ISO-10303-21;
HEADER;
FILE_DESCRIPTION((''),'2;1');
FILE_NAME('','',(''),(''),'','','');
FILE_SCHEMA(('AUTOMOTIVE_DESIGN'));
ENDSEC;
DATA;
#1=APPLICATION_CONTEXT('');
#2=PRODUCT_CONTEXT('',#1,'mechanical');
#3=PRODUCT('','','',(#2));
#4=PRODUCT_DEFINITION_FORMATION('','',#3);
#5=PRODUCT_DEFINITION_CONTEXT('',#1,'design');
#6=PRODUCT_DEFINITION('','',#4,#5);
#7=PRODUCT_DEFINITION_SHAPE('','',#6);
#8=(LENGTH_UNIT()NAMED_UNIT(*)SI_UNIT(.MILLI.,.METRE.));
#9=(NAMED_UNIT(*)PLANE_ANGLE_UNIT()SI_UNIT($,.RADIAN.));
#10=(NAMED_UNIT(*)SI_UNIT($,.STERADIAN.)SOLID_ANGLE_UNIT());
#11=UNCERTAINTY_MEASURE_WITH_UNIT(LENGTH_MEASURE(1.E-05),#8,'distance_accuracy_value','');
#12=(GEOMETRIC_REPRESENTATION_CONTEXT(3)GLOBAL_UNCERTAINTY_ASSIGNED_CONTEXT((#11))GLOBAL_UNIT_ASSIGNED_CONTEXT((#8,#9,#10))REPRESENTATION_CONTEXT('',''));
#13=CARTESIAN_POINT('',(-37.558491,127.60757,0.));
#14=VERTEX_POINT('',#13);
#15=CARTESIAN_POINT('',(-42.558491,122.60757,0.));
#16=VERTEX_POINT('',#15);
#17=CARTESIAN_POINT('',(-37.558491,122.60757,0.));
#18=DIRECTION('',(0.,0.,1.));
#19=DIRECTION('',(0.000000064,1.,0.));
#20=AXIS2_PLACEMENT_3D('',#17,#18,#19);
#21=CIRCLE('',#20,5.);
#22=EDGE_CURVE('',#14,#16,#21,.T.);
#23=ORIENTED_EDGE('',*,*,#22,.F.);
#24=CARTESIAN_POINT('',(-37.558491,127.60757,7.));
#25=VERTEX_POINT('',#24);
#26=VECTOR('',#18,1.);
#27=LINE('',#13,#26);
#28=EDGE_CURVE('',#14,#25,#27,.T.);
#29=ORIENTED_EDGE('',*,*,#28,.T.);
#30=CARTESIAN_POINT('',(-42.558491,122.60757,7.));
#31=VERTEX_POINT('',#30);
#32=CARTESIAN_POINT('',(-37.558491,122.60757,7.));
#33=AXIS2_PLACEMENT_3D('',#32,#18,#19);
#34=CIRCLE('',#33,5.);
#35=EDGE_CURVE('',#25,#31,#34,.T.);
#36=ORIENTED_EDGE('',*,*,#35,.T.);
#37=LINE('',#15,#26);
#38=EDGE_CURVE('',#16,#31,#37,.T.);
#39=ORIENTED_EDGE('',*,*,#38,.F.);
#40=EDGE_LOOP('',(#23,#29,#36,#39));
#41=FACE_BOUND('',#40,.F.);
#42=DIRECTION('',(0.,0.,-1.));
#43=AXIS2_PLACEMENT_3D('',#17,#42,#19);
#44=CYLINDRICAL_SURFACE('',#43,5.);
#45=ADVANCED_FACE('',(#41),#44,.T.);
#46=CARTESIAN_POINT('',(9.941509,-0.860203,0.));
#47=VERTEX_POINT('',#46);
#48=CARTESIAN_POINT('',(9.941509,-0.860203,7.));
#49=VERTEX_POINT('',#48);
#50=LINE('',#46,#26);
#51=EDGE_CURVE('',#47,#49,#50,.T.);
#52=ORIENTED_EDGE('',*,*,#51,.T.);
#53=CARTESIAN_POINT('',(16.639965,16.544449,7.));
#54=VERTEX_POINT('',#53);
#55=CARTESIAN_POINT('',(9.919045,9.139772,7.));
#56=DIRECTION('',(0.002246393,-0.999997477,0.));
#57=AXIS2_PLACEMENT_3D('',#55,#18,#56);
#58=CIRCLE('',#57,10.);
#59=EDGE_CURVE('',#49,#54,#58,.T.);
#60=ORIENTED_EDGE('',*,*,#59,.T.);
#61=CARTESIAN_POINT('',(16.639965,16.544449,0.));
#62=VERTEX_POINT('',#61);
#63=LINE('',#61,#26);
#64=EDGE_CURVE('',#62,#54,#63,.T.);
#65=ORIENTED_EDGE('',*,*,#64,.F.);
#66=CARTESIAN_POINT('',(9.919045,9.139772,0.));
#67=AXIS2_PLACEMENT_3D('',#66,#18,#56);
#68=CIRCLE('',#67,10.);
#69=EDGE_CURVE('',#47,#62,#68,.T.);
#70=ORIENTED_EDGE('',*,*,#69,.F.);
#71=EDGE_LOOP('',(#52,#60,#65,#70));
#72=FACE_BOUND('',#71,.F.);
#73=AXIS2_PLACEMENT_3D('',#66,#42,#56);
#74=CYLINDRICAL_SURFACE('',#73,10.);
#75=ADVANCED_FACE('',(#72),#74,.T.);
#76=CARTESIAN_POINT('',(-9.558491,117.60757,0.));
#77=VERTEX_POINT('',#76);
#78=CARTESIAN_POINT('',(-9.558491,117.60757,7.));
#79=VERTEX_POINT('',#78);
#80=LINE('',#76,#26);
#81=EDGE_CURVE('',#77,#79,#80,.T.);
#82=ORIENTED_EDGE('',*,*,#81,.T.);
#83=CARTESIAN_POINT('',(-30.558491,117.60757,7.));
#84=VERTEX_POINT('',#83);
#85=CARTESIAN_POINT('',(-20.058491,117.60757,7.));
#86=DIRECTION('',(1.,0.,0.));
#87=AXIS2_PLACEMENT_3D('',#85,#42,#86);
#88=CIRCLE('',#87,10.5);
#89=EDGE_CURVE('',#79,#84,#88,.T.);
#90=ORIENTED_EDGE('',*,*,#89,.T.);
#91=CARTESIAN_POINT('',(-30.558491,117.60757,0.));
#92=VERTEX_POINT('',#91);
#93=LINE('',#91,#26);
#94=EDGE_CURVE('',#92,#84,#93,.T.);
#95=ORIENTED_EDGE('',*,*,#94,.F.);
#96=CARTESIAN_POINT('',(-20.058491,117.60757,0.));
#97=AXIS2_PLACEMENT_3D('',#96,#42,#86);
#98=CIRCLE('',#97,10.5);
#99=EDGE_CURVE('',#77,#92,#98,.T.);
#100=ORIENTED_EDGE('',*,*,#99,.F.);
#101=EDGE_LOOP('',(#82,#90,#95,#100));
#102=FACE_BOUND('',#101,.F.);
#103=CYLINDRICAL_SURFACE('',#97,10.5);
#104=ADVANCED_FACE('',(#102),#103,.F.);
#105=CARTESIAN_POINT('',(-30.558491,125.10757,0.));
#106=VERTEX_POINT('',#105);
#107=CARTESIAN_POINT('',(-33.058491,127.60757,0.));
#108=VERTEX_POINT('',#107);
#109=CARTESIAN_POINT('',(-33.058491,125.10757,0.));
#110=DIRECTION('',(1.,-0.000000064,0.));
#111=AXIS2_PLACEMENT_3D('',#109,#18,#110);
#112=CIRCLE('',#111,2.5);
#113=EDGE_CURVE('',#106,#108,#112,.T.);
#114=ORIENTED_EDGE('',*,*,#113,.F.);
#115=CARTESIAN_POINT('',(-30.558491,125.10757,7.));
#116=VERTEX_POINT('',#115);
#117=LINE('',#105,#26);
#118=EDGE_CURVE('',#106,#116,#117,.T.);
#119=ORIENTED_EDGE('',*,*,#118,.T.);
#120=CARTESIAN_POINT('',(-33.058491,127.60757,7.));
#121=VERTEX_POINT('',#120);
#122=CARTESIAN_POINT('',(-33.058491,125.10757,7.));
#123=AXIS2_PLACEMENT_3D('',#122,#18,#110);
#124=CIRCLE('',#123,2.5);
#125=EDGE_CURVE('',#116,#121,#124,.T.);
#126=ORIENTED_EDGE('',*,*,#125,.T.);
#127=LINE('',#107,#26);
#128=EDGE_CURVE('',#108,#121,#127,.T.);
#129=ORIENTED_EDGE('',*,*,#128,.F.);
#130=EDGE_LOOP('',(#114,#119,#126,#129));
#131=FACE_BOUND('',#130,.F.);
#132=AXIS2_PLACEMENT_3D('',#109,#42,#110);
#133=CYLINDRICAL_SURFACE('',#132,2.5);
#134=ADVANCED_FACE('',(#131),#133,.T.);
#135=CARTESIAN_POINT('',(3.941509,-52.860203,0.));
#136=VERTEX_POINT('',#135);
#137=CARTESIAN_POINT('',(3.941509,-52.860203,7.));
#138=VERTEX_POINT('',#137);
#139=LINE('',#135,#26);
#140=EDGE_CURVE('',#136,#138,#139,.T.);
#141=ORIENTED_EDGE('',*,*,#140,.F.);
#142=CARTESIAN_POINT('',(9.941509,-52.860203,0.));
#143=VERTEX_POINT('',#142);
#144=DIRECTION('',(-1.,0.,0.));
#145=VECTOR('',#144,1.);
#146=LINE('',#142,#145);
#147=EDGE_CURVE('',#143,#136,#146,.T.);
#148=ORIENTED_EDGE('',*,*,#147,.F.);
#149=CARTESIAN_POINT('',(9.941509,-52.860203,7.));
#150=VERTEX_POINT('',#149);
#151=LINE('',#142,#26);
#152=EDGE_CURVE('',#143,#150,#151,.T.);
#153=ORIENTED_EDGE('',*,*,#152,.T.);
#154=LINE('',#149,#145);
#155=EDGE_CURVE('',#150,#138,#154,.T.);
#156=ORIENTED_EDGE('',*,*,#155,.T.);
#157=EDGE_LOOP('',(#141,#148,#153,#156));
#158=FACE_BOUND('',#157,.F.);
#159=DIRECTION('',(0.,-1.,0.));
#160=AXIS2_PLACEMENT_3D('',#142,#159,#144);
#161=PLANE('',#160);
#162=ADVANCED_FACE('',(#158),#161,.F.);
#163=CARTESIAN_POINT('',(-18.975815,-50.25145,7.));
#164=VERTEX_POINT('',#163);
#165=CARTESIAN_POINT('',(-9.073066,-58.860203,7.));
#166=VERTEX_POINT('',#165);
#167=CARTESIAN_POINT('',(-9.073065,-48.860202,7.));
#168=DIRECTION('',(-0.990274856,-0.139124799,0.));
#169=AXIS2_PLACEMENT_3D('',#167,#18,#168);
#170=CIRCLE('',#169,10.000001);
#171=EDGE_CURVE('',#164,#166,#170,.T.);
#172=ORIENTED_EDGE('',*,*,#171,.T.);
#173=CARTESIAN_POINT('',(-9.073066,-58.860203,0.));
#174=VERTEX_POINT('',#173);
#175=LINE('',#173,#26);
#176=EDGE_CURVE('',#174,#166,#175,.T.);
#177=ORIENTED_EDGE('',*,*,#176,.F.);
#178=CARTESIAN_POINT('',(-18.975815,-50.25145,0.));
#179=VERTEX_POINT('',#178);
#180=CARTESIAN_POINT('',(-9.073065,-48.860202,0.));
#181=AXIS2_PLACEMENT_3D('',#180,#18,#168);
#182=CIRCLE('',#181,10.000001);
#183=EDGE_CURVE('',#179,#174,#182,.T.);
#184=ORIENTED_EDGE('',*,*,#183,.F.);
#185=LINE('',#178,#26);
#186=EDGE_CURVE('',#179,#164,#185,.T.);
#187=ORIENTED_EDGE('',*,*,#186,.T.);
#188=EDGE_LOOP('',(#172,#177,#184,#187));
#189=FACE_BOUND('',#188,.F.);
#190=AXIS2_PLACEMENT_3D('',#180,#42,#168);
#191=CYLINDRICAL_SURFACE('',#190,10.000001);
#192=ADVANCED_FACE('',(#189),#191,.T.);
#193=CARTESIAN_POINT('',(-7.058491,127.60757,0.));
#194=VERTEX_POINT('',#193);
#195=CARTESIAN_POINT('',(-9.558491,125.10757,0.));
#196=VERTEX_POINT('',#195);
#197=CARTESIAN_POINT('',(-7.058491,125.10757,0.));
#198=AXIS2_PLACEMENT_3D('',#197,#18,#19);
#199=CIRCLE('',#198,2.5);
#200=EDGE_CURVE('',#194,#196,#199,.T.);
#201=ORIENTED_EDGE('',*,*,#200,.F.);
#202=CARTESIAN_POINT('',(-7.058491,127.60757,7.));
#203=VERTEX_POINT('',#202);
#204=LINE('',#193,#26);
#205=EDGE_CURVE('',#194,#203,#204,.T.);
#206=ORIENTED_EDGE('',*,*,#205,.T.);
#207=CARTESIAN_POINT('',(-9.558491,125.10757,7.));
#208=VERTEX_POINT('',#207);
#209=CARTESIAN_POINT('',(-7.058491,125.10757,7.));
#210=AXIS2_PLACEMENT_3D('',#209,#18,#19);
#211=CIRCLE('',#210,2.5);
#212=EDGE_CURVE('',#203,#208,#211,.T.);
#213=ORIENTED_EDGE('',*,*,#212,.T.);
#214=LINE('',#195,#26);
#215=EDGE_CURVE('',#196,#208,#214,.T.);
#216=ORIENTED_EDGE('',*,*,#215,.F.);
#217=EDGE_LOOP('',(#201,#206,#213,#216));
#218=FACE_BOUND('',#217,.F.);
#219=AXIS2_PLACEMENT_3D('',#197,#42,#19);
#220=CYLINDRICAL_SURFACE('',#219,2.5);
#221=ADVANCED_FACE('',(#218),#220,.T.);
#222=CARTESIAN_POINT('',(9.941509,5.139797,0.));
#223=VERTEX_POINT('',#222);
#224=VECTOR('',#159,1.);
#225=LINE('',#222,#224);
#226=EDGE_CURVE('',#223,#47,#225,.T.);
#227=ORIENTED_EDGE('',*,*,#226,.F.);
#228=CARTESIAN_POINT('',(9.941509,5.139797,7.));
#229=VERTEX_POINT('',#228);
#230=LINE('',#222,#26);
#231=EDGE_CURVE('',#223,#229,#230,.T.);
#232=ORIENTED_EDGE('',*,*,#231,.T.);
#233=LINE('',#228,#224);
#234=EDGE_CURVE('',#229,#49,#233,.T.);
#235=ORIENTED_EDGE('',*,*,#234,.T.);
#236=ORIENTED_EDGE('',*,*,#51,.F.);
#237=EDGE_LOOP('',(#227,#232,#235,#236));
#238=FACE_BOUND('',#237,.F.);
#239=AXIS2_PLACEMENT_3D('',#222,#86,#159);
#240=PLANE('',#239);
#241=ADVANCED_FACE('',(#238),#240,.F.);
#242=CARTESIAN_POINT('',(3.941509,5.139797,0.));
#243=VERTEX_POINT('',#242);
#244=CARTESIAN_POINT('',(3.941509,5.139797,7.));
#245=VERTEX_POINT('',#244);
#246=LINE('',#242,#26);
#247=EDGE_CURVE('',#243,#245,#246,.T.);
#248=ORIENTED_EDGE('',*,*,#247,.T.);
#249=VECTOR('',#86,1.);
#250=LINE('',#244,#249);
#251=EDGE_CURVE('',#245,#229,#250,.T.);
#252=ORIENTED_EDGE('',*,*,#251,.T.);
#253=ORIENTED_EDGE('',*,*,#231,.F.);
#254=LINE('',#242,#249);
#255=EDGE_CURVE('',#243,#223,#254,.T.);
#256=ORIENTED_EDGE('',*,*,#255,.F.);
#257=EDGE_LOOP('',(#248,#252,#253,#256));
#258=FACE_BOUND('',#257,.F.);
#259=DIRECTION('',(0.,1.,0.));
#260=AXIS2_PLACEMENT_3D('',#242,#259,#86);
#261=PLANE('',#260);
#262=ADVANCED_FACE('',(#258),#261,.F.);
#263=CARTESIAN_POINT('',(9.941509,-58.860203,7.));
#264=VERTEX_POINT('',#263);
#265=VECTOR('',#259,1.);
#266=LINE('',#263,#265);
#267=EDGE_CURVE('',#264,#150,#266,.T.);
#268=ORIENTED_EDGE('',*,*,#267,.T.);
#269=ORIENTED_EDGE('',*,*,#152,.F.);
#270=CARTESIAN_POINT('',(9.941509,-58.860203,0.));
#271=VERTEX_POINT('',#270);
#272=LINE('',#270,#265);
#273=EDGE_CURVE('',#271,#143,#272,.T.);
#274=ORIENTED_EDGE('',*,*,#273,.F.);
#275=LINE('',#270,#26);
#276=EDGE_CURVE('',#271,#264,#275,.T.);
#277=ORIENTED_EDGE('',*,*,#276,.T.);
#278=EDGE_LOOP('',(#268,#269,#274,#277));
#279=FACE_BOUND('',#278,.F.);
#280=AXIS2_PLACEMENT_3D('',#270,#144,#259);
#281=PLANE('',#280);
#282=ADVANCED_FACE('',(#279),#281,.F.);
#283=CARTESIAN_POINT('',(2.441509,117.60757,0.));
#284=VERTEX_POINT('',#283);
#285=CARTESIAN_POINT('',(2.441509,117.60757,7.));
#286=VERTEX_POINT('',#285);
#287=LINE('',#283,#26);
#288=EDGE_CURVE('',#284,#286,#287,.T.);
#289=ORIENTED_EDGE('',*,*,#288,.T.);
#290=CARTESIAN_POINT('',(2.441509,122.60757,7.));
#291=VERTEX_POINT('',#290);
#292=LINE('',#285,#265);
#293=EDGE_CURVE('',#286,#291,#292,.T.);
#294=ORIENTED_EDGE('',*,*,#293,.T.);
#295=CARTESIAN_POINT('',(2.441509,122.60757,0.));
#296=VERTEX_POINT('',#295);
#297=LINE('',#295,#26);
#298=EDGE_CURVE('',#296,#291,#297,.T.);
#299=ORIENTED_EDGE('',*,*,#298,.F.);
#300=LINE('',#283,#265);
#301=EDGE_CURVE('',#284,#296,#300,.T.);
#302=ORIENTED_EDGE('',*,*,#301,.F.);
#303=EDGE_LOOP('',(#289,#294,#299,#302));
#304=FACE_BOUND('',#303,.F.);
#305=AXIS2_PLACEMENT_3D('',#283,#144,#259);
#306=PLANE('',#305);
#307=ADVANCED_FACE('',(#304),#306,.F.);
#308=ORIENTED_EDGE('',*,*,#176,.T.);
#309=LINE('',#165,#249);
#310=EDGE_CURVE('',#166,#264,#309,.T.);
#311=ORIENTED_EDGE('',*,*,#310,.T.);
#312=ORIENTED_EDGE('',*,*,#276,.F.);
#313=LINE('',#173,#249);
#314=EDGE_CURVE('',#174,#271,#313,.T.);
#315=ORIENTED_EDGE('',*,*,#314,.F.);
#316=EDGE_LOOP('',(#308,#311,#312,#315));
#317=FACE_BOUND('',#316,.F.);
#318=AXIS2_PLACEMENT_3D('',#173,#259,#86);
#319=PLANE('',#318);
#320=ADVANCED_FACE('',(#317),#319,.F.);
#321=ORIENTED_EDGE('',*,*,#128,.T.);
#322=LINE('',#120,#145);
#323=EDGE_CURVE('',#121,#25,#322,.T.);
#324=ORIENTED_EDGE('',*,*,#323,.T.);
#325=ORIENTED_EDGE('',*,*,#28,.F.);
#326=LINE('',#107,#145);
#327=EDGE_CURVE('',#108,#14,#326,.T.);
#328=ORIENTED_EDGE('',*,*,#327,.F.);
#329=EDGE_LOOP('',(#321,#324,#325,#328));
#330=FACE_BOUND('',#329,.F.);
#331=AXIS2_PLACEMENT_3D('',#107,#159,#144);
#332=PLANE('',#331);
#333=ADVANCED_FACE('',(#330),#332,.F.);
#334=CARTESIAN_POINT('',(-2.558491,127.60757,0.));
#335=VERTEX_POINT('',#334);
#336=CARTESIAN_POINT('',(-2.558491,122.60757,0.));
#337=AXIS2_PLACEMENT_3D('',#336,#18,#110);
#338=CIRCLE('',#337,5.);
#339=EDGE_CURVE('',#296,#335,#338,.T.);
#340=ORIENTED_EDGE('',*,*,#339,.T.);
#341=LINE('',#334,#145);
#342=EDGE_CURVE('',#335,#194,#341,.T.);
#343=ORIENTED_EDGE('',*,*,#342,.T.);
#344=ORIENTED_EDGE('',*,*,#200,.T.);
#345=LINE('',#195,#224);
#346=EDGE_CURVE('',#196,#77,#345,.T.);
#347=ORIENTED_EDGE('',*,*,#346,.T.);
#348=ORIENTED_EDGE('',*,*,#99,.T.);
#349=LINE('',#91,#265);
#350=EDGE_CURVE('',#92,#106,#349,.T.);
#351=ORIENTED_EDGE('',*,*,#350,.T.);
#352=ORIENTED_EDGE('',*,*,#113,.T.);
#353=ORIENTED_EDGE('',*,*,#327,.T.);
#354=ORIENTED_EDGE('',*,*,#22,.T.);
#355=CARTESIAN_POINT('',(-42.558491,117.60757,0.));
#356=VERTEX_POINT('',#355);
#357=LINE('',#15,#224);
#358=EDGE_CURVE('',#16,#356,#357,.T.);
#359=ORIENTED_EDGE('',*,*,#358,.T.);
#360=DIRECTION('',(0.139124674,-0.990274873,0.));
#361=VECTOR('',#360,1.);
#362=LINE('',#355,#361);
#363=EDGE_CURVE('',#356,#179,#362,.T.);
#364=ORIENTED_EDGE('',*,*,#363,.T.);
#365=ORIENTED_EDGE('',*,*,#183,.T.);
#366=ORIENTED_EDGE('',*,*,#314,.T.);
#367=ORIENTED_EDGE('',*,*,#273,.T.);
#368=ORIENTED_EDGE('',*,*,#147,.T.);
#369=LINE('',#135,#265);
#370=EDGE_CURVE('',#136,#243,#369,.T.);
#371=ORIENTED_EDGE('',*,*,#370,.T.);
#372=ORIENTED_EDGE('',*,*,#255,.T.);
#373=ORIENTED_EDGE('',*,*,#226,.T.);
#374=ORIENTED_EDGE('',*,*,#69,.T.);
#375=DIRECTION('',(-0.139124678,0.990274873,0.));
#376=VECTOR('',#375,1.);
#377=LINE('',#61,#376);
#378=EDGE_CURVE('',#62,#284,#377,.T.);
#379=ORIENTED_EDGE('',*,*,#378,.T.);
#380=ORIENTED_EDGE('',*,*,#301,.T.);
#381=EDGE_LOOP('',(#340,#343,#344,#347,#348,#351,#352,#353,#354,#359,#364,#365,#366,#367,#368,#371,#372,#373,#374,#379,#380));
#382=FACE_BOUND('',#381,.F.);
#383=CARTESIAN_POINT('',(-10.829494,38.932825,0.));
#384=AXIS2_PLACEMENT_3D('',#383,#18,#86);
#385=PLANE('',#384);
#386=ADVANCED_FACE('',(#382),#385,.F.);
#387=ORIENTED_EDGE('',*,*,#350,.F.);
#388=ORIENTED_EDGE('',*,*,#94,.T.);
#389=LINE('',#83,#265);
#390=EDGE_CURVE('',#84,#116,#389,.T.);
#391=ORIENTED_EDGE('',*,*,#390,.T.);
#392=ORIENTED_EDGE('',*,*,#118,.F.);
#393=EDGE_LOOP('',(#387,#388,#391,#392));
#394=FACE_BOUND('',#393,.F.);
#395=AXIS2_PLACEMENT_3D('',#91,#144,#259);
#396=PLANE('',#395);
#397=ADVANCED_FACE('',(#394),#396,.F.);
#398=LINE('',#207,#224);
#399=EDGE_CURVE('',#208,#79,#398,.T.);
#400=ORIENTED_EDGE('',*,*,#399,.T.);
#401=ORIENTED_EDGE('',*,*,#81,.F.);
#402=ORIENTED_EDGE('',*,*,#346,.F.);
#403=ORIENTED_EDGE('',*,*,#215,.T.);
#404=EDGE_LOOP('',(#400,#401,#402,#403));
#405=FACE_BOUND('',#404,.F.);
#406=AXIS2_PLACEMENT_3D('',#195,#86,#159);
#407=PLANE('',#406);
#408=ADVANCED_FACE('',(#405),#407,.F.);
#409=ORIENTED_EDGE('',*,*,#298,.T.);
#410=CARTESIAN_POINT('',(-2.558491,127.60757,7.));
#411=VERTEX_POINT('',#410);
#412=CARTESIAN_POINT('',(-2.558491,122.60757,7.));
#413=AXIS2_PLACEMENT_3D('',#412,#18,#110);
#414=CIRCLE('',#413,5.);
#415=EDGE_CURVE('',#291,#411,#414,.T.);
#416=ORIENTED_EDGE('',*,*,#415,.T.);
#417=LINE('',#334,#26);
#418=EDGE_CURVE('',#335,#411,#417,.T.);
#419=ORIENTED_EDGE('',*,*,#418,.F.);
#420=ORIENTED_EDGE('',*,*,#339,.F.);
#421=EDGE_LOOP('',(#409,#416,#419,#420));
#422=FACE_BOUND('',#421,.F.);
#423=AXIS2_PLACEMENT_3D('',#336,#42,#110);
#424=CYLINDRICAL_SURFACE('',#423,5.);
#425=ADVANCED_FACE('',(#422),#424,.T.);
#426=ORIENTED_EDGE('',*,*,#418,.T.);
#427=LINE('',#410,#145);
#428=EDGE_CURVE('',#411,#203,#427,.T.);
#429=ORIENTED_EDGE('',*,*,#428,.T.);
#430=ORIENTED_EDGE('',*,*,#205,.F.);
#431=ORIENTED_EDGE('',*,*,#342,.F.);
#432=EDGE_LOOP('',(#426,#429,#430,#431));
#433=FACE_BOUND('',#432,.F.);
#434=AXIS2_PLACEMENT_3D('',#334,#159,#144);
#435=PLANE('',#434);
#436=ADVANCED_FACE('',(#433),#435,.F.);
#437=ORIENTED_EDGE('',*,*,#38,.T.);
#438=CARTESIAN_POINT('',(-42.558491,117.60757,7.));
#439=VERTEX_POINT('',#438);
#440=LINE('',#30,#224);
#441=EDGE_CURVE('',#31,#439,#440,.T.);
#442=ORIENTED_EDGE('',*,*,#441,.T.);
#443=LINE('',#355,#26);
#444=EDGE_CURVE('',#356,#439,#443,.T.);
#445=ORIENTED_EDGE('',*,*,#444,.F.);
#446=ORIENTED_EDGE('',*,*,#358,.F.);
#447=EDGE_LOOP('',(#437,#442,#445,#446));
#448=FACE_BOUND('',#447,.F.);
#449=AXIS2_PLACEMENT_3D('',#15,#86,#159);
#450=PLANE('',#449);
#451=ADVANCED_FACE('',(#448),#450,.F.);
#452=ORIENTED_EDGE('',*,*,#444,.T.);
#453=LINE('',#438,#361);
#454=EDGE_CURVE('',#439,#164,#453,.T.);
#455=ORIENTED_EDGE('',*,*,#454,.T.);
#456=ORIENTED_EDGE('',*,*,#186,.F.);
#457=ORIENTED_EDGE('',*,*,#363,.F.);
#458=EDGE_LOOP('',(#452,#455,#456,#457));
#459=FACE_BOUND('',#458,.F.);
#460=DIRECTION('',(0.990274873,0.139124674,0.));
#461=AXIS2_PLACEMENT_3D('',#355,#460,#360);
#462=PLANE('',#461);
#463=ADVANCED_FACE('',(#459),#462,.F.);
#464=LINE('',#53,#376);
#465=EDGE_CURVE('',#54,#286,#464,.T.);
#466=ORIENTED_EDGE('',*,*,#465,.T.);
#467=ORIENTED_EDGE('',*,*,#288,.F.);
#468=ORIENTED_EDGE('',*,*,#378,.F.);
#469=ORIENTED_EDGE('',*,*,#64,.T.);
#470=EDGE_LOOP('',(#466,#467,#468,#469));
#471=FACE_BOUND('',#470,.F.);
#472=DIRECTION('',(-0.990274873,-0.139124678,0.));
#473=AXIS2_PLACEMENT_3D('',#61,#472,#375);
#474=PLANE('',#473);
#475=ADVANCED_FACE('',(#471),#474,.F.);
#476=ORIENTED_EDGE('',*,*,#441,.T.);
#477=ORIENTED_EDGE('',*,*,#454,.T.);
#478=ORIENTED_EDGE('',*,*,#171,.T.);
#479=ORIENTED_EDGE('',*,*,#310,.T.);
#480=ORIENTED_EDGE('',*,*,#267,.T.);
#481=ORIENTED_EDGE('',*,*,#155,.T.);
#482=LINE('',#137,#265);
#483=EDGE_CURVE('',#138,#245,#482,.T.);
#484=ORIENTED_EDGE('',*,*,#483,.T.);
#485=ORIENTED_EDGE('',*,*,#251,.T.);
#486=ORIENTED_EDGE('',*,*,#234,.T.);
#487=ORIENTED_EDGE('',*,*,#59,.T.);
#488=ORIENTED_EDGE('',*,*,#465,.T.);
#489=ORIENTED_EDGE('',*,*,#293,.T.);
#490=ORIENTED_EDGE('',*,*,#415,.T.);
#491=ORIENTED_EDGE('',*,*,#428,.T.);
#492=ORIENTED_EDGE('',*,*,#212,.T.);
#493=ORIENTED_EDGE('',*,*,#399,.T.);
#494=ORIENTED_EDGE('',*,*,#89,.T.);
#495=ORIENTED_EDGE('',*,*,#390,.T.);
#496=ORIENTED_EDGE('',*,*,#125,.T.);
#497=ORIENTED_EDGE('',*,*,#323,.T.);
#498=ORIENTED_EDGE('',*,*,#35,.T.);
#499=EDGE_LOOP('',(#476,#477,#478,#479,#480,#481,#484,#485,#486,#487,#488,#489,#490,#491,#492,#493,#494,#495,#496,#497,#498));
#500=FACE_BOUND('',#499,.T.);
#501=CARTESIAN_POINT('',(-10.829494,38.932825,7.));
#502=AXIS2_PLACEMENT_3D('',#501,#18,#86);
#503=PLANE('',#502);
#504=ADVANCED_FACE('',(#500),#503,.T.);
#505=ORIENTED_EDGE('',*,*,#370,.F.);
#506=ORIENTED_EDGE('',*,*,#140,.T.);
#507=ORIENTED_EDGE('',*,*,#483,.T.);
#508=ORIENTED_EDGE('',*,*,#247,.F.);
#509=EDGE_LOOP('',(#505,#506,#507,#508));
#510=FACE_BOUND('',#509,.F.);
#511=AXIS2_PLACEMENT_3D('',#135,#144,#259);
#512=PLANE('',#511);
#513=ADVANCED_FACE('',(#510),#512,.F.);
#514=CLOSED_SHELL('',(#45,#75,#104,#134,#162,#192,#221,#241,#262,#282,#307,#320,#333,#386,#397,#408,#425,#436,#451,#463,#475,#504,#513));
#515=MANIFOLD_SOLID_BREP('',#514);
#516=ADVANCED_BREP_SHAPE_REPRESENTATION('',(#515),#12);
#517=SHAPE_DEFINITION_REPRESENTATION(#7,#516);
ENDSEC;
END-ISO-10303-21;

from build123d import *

# Parameters (mm, degrees)
F1_DEPTH = 7


with BuildPart() as f1:
    # F0 (on Top) → F1 (new body)
    with BuildSketch(Plane.XY):
        with BuildLine():
            Line((9.941509, 5.139797), (9.941509, -0.860203))
            ThreePointArc((9.941509, -0.860203), (19.251718, 5.547945), (16.639965, 16.544449))
            Line((16.639965, 16.544449), (2.441509, 117.60757))
            Line((2.441509, 117.60757), (2.441509, 122.60757))
            ThreePointArc((2.441509, 122.60757), (0.977043, 126.143104), (-2.558491, 127.60757))
            Line((-2.558491, 127.60757), (-7.058491, 127.60757))
            ThreePointArc((-7.058491, 127.60757), (-8.826258, 126.875337), (-9.558491, 125.10757))
            Line((-9.558491, 125.10757), (-9.558491, 117.60757))
            ThreePointArc((-9.558491, 117.60757), (-20.058491, 107.10757), (-30.558491, 117.60757))
            Line((-30.558491, 117.60757), (-30.558491, 125.10757))
            ThreePointArc((-30.558491, 125.10757), (-31.290724, 126.875337), (-33.058491, 127.60757))
            Line((-33.058491, 127.60757), (-37.558491, 127.60757))
            ThreePointArc((-37.558491, 127.60757), (-41.094025, 126.143104), (-42.558491, 122.60757))
            Line((-42.558491, 122.60757), (-42.558491, 117.60757))
            Line((-42.558491, 117.60757), (-18.975815, -50.25145))
            ThreePointArc((-18.975815, -50.25145), (-15.633841, -56.407138), (-9.073066, -58.860203))
            Line((-9.073066, -58.860203), (9.941509, -58.860203))
            Line((9.941509, -58.860203), (9.941509, -52.860203))
            Line((9.941509, -52.860203), (3.941509, -52.860203))
            Line((3.941509, -52.860203), (3.941509, 5.139797))
            Line((3.941509, 5.139797), (9.941509, 5.139797))
        make_face()
    extrude(amount=F1_DEPTH)


solid = f1.part
